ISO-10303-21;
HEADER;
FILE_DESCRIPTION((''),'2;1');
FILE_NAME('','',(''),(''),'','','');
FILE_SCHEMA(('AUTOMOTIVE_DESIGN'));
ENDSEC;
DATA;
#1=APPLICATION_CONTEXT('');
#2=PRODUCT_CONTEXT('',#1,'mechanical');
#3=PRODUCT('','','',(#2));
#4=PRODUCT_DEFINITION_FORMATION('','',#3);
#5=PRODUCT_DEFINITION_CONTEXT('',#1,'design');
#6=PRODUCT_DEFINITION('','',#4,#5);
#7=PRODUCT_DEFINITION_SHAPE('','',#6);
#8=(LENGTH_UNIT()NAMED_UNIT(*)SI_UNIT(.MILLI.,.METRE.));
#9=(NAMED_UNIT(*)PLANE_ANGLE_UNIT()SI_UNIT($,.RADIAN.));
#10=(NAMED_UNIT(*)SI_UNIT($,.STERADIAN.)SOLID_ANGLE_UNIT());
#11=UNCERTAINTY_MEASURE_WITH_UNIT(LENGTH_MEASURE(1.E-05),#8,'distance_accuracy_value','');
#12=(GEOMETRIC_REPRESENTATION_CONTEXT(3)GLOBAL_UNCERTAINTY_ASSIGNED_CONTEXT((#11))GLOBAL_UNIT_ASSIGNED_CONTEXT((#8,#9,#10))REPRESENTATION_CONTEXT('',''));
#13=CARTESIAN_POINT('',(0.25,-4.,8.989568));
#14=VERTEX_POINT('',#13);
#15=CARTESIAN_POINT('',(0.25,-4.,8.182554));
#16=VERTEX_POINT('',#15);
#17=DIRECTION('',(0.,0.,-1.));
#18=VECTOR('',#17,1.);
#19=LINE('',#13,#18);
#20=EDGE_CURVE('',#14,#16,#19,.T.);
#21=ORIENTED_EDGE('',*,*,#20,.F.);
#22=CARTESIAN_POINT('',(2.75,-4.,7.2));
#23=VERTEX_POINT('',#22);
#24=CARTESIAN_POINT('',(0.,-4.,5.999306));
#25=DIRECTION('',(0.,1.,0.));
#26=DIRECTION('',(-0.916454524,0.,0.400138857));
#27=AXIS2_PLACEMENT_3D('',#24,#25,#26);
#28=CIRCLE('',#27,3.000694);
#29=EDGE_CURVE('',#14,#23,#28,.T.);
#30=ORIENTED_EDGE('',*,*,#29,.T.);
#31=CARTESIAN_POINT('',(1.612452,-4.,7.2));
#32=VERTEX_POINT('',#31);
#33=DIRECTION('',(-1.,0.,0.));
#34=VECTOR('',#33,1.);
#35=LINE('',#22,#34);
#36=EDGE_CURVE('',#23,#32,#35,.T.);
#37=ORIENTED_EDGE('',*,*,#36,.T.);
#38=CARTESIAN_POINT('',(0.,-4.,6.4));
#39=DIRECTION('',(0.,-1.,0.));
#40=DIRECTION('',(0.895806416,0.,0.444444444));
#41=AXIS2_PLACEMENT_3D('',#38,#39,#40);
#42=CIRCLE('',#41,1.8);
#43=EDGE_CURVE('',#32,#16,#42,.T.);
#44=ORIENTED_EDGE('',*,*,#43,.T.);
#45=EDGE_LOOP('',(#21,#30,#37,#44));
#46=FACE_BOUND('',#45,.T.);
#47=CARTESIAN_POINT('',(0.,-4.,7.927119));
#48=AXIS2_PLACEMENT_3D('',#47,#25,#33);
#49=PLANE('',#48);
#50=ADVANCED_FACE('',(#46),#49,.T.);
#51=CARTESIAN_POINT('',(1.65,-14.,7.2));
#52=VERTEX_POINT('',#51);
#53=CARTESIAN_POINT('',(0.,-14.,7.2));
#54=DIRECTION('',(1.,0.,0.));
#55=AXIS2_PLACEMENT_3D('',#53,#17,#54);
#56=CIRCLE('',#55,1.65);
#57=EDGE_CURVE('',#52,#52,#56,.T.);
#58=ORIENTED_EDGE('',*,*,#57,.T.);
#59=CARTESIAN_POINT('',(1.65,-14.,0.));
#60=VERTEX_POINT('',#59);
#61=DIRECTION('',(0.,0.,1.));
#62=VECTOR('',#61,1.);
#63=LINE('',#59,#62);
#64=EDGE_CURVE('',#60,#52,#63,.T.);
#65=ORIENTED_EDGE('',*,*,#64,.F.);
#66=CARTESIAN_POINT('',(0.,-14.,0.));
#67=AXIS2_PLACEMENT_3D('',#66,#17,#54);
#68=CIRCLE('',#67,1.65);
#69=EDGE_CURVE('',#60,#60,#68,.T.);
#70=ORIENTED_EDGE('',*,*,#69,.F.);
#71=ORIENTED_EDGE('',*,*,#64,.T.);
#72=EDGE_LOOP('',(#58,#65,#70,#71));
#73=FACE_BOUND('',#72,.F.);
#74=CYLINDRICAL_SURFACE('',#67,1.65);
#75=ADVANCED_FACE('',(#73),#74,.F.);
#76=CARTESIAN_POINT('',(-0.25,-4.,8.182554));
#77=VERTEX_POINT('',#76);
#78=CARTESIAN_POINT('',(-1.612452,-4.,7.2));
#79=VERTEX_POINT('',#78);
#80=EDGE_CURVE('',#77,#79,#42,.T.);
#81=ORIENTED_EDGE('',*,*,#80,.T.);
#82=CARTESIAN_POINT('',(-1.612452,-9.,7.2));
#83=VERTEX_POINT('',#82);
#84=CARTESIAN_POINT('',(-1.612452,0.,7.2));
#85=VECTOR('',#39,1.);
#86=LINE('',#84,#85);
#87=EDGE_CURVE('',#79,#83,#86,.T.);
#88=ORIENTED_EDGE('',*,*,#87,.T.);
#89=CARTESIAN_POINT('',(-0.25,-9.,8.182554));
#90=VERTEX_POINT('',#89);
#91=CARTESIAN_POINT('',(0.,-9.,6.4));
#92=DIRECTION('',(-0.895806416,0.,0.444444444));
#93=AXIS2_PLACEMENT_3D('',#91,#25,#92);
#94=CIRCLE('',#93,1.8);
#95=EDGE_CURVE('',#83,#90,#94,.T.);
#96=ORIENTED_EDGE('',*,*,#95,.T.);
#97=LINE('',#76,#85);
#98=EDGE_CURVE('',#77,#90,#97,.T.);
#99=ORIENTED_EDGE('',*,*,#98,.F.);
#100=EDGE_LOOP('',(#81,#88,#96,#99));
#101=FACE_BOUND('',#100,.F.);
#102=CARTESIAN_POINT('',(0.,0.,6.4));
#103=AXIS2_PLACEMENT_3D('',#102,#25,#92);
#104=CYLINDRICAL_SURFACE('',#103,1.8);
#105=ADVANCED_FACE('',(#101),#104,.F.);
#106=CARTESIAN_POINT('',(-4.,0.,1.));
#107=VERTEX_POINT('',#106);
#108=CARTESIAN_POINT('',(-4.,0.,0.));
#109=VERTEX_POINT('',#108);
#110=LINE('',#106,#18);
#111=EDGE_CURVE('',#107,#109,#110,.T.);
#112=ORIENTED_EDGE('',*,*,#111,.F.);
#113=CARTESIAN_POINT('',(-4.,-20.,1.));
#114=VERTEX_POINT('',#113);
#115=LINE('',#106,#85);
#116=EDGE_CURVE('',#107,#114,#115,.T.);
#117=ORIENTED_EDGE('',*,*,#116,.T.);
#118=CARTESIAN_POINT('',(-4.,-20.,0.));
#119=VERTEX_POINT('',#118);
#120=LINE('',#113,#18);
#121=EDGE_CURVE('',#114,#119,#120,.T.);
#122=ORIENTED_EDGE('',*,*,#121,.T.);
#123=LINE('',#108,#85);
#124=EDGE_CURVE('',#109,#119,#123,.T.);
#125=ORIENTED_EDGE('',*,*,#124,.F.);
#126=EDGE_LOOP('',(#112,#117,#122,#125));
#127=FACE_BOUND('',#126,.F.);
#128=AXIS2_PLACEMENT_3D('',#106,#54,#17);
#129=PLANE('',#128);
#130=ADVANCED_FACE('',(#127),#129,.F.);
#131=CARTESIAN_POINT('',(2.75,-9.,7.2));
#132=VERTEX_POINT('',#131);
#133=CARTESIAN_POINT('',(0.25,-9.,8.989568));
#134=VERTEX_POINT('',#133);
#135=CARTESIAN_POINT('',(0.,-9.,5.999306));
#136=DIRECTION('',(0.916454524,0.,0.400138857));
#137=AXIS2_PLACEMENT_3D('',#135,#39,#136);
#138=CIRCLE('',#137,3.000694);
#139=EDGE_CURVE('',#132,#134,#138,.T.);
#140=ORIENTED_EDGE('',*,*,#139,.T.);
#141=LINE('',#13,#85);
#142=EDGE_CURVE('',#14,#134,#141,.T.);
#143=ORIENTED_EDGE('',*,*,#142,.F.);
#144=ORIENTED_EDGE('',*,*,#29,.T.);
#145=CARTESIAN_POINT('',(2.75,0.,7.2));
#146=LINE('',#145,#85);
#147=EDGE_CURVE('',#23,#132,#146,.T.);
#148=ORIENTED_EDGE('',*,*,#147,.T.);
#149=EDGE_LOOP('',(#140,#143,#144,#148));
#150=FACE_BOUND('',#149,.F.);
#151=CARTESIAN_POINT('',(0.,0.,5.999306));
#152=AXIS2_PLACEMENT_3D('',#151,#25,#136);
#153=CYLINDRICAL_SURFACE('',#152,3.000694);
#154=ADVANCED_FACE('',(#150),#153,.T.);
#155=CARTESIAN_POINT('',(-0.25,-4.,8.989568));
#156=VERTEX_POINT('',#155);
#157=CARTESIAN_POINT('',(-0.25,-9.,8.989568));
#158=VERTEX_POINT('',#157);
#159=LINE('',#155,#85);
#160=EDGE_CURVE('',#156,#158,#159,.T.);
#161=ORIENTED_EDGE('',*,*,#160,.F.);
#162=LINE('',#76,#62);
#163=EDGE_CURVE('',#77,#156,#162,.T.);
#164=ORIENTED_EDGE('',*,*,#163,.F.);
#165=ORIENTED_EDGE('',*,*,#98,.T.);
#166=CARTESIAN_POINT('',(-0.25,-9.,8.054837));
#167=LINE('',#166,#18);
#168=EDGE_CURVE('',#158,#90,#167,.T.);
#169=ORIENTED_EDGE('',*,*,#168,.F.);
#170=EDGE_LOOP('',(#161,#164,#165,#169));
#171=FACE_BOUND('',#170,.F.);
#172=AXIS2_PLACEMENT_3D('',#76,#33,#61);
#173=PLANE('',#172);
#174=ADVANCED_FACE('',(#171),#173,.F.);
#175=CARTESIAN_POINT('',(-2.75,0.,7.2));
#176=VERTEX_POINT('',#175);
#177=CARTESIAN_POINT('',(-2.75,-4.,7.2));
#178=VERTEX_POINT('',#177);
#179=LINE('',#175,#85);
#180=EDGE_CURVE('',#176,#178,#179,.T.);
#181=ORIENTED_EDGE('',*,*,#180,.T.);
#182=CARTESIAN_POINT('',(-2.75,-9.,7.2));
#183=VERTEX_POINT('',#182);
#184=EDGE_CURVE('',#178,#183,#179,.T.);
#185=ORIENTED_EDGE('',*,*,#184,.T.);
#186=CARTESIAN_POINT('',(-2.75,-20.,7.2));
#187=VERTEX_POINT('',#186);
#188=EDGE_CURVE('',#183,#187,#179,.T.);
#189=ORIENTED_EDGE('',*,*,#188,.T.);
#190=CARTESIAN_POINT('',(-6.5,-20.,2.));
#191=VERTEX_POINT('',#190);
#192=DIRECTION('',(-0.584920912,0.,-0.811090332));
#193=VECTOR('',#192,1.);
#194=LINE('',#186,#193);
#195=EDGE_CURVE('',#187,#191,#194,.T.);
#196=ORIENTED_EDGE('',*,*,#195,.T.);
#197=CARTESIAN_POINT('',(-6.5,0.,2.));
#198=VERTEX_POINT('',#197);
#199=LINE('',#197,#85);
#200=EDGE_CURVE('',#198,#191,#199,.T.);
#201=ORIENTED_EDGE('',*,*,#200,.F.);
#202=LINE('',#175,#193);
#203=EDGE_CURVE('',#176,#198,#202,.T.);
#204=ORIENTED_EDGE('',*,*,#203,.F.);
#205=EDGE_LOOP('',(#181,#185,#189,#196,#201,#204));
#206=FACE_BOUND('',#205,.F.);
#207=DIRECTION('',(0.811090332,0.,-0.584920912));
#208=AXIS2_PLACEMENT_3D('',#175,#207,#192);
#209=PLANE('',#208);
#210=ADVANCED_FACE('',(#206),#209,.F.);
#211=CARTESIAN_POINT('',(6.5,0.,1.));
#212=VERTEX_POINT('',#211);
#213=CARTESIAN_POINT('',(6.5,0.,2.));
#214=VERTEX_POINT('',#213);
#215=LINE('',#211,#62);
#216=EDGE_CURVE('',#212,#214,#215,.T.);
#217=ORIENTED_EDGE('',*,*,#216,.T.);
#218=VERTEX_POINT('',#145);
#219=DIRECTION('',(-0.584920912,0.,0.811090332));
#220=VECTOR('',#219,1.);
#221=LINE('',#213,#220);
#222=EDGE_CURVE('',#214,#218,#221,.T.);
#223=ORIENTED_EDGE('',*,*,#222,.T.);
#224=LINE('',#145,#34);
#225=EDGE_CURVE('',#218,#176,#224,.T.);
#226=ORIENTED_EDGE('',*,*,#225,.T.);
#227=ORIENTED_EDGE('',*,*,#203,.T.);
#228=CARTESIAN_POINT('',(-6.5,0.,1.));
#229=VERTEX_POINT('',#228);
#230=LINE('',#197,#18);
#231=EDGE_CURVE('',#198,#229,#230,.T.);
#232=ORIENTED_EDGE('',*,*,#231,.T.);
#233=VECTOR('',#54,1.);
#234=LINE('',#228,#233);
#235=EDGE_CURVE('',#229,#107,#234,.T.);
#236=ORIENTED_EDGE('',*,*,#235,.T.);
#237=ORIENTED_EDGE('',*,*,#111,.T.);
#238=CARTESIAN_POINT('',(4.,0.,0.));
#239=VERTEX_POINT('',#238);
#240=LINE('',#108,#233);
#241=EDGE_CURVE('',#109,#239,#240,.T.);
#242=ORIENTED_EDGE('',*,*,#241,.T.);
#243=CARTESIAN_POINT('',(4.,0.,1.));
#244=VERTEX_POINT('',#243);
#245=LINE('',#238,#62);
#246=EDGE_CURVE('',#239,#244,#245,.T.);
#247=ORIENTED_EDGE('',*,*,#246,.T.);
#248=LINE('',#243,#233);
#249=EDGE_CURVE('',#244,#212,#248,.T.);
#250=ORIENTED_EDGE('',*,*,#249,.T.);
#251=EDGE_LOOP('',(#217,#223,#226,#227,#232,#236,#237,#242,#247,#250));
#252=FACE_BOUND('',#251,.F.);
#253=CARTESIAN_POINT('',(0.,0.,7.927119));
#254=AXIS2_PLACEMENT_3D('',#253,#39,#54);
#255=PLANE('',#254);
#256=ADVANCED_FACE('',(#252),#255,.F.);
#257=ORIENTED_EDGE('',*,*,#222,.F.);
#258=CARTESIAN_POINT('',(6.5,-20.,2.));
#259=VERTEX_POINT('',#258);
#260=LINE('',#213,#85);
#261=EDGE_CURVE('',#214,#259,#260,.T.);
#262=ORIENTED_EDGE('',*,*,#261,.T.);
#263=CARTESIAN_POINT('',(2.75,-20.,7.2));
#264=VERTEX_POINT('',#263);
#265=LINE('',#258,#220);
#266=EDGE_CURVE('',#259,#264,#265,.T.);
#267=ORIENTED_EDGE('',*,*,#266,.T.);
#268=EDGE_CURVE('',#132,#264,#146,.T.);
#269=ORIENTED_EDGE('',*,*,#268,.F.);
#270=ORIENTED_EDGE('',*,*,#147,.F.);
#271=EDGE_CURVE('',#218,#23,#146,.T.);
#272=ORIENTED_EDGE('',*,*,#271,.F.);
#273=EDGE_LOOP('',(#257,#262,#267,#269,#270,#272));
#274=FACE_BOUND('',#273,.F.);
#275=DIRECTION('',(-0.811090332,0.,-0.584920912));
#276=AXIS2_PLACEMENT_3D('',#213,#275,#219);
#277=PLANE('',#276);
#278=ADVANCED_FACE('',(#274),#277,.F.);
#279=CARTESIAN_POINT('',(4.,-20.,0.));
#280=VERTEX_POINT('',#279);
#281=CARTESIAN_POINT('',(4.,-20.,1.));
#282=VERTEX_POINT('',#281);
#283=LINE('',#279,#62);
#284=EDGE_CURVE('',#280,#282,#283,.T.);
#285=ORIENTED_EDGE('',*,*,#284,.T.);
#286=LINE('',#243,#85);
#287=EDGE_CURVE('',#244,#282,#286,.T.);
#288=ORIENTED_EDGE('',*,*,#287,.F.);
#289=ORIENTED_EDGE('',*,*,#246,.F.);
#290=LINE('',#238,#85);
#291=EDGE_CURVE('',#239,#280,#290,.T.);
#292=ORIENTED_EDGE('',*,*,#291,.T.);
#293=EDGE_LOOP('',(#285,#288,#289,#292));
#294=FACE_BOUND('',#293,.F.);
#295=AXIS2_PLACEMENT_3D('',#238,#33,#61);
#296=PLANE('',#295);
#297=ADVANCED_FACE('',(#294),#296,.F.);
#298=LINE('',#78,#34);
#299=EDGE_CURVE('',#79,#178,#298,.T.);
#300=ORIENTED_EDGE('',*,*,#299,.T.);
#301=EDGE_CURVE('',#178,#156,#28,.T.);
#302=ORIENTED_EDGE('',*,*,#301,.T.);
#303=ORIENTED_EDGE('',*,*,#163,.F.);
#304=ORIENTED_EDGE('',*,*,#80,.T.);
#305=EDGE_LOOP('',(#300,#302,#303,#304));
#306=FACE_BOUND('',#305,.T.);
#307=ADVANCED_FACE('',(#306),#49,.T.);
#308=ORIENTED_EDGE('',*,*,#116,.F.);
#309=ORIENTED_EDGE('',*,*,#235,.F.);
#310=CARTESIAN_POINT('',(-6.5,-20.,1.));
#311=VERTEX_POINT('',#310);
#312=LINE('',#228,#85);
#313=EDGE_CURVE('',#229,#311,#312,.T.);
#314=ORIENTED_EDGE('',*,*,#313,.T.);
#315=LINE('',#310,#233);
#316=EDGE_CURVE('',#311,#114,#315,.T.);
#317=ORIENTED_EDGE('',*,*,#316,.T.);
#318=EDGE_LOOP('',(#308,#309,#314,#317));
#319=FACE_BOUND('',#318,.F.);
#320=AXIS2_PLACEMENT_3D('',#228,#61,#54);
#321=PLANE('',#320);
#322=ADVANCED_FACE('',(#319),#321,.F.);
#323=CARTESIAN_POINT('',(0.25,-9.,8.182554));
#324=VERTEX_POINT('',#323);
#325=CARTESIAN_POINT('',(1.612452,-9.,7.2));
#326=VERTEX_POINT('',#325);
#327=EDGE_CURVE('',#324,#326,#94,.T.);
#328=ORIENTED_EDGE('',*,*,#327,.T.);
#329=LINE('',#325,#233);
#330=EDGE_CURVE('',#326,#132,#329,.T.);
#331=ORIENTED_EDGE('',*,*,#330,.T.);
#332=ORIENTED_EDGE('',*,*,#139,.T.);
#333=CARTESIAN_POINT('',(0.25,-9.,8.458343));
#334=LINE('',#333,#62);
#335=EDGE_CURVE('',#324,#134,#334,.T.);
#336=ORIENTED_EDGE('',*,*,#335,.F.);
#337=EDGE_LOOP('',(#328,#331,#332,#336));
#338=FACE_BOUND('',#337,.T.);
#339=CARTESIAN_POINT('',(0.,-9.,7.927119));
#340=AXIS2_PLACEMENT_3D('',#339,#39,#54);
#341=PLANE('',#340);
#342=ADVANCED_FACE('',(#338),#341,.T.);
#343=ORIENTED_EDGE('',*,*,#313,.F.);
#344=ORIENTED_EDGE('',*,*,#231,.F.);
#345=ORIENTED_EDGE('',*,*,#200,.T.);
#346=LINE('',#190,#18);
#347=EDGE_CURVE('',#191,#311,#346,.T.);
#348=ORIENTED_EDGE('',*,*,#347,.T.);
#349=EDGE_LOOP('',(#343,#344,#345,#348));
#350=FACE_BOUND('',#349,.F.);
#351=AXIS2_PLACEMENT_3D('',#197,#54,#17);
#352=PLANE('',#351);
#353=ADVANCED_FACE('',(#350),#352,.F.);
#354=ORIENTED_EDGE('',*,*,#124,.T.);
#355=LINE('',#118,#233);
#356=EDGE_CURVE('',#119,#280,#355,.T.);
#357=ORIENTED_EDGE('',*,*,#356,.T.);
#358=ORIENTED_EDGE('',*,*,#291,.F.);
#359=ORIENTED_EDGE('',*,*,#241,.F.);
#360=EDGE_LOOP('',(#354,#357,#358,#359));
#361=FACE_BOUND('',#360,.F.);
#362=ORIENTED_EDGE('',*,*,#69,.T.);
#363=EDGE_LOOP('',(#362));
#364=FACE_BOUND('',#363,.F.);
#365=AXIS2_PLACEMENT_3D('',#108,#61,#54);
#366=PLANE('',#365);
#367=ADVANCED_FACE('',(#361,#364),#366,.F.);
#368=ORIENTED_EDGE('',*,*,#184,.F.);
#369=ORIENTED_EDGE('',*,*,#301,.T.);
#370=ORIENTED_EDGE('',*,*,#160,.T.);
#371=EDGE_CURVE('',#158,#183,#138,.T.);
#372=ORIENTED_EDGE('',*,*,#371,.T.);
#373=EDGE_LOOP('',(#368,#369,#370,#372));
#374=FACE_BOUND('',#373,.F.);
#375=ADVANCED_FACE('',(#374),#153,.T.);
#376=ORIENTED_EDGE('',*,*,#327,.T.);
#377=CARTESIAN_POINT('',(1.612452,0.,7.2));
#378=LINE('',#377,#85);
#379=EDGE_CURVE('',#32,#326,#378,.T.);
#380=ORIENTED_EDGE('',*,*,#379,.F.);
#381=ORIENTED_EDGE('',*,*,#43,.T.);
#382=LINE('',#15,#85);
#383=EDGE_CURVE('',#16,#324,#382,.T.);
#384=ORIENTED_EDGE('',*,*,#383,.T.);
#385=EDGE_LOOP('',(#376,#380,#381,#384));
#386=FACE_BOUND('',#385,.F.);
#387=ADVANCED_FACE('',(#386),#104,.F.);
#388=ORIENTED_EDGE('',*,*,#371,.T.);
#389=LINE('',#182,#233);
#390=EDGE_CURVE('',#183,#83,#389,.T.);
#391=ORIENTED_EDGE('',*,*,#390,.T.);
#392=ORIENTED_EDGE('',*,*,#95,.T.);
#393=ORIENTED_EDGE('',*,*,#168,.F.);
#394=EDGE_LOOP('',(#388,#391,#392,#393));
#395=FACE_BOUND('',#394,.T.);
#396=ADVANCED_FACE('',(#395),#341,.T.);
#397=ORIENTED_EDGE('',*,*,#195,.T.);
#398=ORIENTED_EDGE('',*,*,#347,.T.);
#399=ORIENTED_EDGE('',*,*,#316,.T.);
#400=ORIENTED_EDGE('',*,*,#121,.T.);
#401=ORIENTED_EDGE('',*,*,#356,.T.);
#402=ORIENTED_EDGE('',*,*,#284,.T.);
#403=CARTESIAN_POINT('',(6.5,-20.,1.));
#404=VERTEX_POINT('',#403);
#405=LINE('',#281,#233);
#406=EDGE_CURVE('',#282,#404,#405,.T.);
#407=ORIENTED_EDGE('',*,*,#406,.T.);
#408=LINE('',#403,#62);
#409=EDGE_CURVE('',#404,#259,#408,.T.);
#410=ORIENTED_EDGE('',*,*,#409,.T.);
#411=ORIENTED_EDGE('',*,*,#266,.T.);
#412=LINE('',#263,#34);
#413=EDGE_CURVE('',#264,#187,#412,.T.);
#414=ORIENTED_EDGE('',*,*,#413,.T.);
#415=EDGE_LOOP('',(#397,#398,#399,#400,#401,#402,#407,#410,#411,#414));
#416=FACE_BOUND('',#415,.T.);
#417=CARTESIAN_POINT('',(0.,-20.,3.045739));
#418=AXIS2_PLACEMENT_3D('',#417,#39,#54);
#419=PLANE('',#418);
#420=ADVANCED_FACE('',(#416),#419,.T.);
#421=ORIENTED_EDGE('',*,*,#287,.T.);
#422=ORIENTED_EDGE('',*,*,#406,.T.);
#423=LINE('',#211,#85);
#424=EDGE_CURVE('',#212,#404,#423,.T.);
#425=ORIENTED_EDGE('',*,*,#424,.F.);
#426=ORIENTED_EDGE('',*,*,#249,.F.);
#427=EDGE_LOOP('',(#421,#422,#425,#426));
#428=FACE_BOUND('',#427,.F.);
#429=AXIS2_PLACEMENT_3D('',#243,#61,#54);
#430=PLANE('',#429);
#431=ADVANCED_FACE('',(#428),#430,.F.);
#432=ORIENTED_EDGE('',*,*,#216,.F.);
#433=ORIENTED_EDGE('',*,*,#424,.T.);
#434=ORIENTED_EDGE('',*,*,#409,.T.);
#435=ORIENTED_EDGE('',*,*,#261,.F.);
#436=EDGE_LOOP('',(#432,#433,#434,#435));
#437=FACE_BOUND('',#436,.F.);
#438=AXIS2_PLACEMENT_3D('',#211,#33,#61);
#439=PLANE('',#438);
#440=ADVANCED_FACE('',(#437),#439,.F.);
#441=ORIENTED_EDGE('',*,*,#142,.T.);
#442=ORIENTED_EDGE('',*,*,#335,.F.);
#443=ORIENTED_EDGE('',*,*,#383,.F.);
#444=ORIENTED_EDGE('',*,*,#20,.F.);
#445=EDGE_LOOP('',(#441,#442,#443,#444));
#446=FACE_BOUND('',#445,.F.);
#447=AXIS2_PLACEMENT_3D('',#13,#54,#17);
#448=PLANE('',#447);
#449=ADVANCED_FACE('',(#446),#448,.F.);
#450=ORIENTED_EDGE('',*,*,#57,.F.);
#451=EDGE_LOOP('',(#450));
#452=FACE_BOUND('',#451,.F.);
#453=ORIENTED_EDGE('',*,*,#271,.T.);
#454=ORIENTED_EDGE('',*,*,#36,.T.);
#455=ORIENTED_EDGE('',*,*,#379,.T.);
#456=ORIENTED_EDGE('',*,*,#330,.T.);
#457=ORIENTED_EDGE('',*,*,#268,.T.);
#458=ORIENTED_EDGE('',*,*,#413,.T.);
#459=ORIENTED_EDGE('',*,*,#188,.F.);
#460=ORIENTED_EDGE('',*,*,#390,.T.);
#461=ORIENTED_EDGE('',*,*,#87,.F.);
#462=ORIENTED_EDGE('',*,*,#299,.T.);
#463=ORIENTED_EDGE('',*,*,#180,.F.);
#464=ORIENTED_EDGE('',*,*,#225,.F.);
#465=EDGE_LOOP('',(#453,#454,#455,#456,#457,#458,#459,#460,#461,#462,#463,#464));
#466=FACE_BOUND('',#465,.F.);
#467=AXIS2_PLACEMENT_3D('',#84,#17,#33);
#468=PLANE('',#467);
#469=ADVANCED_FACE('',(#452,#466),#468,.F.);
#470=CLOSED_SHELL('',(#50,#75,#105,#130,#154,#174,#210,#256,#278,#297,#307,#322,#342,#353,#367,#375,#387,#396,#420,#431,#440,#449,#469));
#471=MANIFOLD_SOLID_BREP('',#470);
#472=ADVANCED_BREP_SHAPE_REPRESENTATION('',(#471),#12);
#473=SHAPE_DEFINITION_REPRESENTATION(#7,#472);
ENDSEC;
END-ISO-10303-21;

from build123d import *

# Parameters (mm, degrees)
F1_DEPTH = 20
F2_R     = 1.65
F3_DEPTH = 7.201
F5_DEPTH = 9
F7_DEPTH = 4
F9_DEPTH = 16.001


with BuildPart() as f1:
    # F0 (on Front) → F1 (new body)
    with BuildSketch(Plane.XZ):
        Polygon((-4, 0), (0, 0), (4, 0), (4, 1), (6.5, 1), (6.5, 2), (2.75, 7.2), (0, 7.2), (-2.75, 7.2), (-6.5, 2), (-6.5, 1), (-4, 1), align=None)
    extrude(amount=F1_DEPTH)

    # F2 (on face) → F3 (cut, through all)
    with BuildSketch(Plane(origin=(0, 0, 0), x_dir=(1, 0, 0), z_dir=(0, 0, -1))):
        with Locations((0, 14)):
            Circle(F2_R)
    extrude(amount=-F3_DEPTH, mode=Mode.SUBTRACT)

    # F4 (on Front) → F5 (join)
    with BuildSketch(Plane.XZ):
        with BuildLine():
            Line((1.6124515497, 7.2), (2.75, 7.2))
            ThreePointArc((2.75, 7.2), (0, 9), (-2.75, 7.2))
            Line((-2.75, 7.2), (-1.6124515497, 7.2))
            ThreePointArc((-1.6124515497, 7.2), (0, 8.2), (1.6124515497, 7.2))
        make_face()
    extrude(amount=F5_DEPTH)

    # F6 (on face) → F7 (cut)
    with BuildSketch(Plane(origin=(0, 0, 0), x_dir=(-1, 0, 0), z_dir=(0, 1, 0))):
        with BuildLine():
            ThreePointArc((2.75, 7.2), (0, 9), (-2.75, 7.2))
            Line((-2.75, 7.2), (-1.6124515497, 7.2))
            ThreePointArc((-1.6124515497, 7.2), (0, 8.2), (1.6124515497, 7.2))
            Line((1.6124515497, 7.2), (2.75, 7.2))
        make_face()
    extrude(amount=-F7_DEPTH, mode=Mode.SUBTRACT)

    # F8 (on face) → F9 (cut, through all)
    with BuildSketch(Plane(origin=(0, -4, 0), x_dir=(-1, 0, 0), z_dir=(0, 1, 0))):
        with BuildLine():
            Line((-0.25, 8.9895676091), (-0.25, 8.182554347))
            ThreePointArc((-0.25, 8.182554347), (0, 8.2), (0.25, 8.182554347))
            Line((0.25, 8.182554347), (0.25, 8.9895676091))
            ThreePointArc((0.25, 8.9895676091), (0, 9), (-0.25, 8.9895676091))
        make_face()
    extrude(amount=-F9_DEPTH, mode=Mode.SUBTRACT)


solid = f1.part
